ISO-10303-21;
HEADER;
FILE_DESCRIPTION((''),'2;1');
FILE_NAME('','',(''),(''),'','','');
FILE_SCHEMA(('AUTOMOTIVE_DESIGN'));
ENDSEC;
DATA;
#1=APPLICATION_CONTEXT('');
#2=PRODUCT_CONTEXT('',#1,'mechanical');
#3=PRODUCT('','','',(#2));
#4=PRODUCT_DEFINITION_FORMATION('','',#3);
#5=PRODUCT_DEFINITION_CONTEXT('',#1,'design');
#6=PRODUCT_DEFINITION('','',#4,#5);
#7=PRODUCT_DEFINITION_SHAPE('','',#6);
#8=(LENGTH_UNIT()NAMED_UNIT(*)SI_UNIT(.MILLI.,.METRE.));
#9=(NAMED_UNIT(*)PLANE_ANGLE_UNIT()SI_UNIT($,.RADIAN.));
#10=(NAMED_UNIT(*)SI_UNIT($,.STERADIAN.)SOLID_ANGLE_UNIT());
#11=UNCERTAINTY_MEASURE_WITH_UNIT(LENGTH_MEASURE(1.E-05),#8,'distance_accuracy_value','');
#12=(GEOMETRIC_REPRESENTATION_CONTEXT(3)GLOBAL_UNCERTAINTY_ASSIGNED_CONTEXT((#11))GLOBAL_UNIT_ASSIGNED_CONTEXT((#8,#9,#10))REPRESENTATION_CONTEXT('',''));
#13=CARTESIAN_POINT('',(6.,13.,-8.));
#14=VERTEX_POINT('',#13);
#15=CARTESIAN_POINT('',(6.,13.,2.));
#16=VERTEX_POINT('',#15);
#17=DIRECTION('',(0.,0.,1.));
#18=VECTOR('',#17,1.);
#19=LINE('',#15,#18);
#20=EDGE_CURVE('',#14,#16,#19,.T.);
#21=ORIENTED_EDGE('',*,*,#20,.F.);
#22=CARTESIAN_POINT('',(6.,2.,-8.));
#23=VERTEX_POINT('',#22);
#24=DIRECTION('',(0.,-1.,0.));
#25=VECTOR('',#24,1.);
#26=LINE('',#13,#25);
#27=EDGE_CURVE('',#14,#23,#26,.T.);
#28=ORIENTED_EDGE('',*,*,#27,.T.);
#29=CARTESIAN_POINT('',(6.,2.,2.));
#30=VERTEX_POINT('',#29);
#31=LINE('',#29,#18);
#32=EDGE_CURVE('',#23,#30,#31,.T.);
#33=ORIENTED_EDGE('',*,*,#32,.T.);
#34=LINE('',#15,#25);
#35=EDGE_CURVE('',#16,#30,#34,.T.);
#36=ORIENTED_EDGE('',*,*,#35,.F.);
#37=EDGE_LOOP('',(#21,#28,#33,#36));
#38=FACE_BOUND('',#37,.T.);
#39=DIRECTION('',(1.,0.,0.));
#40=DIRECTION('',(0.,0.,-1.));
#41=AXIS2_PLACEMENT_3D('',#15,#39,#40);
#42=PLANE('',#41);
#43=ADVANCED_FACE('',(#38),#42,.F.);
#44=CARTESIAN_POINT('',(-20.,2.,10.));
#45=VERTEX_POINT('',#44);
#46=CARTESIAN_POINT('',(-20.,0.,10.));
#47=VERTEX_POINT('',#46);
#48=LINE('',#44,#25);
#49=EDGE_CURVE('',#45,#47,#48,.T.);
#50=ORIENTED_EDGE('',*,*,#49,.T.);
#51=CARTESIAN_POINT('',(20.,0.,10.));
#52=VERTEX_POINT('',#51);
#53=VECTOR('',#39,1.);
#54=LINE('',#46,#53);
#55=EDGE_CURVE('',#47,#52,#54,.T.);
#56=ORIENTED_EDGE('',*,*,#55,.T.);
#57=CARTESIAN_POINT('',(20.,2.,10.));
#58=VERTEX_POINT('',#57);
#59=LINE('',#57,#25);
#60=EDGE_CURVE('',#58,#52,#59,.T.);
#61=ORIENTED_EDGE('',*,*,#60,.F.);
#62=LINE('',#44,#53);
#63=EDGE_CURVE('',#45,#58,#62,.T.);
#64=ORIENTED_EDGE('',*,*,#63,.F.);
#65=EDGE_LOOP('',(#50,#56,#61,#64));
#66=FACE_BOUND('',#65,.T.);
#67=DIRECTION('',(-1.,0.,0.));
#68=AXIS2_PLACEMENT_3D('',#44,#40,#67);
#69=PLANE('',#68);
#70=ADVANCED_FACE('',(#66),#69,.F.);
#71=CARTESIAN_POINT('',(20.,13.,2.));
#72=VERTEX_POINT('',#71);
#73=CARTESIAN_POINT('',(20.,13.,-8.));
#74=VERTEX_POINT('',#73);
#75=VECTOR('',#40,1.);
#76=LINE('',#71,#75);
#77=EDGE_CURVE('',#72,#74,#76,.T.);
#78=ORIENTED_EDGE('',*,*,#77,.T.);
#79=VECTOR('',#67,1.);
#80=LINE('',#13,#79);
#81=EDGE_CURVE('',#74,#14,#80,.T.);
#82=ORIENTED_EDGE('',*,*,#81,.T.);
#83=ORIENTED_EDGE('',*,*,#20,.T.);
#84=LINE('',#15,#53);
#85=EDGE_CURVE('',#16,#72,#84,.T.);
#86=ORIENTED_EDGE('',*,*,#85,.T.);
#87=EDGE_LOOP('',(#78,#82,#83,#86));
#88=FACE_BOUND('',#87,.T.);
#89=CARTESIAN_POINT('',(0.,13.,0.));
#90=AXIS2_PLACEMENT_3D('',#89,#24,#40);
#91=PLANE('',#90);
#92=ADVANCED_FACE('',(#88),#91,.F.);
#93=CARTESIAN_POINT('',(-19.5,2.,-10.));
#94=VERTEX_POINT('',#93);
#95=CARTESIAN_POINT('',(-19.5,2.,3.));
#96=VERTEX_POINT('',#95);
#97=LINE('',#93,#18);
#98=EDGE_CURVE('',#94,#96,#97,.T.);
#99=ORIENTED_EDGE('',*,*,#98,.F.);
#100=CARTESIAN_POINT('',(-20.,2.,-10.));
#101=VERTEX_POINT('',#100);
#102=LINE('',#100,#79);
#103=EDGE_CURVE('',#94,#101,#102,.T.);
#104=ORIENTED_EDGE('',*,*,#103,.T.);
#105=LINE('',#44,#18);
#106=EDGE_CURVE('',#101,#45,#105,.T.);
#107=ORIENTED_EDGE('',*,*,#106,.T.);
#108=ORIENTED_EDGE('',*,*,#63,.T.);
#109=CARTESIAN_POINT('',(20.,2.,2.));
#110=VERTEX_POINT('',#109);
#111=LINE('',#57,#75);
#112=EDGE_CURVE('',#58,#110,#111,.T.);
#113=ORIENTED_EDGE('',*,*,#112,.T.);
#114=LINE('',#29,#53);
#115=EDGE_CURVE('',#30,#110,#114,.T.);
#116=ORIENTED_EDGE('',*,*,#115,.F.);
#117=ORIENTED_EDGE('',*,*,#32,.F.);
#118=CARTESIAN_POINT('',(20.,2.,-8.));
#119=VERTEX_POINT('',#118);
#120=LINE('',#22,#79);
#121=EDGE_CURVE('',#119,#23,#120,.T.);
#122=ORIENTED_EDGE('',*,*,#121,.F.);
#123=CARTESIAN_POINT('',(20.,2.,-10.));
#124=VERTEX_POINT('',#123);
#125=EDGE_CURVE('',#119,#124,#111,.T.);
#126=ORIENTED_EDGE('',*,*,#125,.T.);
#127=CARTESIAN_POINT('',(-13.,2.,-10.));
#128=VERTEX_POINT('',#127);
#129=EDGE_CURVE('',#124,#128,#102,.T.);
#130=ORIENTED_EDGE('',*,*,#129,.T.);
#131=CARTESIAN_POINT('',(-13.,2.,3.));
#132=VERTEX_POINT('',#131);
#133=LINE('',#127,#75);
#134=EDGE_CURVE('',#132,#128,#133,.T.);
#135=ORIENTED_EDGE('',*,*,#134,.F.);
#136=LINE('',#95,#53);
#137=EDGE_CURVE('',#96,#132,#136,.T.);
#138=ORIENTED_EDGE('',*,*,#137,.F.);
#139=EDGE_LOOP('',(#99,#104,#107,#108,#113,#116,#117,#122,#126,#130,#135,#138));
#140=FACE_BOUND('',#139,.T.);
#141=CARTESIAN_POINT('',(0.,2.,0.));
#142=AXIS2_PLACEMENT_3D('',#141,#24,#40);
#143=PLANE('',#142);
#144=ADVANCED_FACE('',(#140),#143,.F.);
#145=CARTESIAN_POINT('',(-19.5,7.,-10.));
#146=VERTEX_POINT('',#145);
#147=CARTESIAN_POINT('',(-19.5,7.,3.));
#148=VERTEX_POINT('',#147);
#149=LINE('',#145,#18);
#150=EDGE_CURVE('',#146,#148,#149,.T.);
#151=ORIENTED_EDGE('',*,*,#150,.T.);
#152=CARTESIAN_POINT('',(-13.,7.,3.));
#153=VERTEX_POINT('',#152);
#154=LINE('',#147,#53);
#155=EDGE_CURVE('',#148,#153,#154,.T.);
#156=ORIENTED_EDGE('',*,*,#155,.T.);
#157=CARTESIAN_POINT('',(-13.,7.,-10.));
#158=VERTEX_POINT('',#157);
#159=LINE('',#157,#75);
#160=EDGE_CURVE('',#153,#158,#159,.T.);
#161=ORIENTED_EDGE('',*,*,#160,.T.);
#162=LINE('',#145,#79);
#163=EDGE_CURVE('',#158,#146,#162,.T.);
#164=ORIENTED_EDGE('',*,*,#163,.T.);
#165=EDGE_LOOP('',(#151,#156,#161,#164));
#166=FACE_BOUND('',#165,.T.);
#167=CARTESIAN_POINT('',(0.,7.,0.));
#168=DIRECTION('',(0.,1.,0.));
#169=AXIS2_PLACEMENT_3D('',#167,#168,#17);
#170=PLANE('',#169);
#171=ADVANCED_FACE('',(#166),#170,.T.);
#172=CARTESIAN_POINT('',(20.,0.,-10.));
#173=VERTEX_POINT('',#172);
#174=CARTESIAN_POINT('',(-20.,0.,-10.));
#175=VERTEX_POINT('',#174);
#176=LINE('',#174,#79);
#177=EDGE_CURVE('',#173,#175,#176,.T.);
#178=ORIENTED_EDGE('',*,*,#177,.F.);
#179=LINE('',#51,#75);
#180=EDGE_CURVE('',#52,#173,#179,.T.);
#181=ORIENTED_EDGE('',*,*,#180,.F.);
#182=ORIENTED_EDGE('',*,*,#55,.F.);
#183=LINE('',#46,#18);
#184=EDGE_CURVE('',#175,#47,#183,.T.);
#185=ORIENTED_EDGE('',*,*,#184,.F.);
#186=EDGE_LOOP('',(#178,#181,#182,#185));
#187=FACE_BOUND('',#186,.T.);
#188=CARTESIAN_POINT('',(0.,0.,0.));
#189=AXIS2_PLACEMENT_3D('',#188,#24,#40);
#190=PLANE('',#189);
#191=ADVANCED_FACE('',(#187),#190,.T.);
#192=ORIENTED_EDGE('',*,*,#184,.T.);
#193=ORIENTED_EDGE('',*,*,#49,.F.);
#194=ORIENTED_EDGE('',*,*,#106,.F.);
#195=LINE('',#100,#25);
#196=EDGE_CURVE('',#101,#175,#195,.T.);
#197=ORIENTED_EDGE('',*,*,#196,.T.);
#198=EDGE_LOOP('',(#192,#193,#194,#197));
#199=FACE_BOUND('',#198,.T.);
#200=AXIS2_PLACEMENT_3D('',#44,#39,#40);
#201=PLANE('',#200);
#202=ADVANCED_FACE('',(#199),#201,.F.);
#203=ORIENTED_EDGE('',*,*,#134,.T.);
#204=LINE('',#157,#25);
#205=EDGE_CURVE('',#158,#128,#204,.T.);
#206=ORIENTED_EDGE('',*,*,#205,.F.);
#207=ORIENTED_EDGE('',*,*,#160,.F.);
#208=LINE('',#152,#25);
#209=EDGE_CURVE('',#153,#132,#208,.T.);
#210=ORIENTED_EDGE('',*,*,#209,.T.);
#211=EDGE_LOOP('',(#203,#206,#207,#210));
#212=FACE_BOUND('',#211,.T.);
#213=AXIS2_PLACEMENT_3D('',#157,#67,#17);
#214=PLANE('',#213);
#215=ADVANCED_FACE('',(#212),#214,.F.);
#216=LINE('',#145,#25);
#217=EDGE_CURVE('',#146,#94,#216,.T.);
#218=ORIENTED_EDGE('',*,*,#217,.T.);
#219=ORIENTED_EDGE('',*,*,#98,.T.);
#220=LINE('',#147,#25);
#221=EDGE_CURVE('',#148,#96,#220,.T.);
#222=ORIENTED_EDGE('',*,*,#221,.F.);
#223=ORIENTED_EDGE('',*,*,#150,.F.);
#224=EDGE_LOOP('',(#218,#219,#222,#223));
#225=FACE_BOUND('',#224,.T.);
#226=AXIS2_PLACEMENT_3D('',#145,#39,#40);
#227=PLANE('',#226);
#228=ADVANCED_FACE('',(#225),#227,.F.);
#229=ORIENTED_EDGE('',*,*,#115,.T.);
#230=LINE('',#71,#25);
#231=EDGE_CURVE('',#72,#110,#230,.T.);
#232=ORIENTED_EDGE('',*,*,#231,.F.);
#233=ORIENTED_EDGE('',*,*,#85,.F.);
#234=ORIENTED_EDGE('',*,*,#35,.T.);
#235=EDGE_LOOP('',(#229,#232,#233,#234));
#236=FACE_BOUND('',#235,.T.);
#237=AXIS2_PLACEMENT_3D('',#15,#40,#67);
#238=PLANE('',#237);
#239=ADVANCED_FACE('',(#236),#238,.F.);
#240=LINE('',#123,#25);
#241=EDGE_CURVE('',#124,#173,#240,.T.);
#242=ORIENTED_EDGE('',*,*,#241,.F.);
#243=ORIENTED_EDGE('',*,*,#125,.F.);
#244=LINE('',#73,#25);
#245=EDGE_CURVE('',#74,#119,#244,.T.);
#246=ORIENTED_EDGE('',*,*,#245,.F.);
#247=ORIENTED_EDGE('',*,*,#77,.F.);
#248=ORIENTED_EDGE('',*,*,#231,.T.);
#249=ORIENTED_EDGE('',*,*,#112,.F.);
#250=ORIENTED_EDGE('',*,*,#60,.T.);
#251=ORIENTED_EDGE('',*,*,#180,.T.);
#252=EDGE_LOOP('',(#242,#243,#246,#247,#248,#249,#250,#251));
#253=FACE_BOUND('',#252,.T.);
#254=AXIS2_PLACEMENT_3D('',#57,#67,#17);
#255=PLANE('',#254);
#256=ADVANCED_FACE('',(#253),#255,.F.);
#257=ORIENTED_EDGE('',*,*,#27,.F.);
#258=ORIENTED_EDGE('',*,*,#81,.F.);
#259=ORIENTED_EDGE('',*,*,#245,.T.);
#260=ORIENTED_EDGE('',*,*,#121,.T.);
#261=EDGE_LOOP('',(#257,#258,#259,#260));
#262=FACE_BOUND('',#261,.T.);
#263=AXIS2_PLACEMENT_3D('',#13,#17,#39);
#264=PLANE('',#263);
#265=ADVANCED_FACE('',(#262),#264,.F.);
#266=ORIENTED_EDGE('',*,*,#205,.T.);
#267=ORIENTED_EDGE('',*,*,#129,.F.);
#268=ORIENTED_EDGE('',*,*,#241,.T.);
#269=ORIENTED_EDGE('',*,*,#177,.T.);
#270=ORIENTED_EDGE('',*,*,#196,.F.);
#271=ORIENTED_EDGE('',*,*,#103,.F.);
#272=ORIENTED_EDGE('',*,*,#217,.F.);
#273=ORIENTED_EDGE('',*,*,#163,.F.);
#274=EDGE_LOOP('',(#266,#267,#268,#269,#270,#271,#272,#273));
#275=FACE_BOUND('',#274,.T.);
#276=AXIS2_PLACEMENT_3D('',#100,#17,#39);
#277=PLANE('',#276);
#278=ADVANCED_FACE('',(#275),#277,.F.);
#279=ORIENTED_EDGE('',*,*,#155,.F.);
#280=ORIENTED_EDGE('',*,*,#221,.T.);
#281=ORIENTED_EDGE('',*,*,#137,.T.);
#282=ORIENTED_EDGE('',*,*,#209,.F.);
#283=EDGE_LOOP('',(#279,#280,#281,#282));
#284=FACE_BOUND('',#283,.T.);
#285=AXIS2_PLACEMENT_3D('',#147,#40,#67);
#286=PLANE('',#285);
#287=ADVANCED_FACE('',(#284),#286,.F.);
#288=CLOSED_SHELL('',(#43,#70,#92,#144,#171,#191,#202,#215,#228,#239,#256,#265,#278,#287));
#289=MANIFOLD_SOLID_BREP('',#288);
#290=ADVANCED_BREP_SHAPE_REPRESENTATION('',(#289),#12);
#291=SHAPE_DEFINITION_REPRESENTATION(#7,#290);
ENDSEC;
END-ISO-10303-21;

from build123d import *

# Parameters (mm, degrees)
SKETCH1_W           = 40
SKETCH1_H           = 20
BOSS_EXTRUDE1_DEPTH = 2
SKETCH2_W           = 14
SKETCH2_H           = 10
BOSS_EXTRUDE2_DEPTH = 11
SKETCH3_W           = 6.5
SKETCH3_H           = 13
BOSS_EXTRUDE3_DEPTH = 5


with BuildPart() as part:
    # Sketch1 → Boss-Extrude1 (new body)
    with BuildSketch(Plane(origin=(0, 0, 0), x_dir=(1, 0, 0), z_dir=(0, 1, 0))):
        Rectangle(SKETCH1_W, SKETCH1_H)
    extrude(amount=BOSS_EXTRUDE1_DEPTH)

    # Sketch2 → Boss-Extrude2 (add)
    with BuildSketch(Plane(origin=(0, 2, 0), x_dir=(1, 0, 0), z_dir=(0, 1, 0))):
        with Locations((13, 3)):
            Rectangle(SKETCH2_W, SKETCH2_H)
    extrude(amount=BOSS_EXTRUDE2_DEPTH)

    # Sketch3 → Boss-Extrude3 (add)
    with BuildSketch(Plane(origin=(0, 2, 0), x_dir=(1, 0, 0), z_dir=(0, 1, 0))):
        with Locations((-16.25, 3.5)):
            Rectangle(SKETCH3_W, SKETCH3_H)
    extrude(amount=BOSS_EXTRUDE3_DEPTH)


solid = part.part
